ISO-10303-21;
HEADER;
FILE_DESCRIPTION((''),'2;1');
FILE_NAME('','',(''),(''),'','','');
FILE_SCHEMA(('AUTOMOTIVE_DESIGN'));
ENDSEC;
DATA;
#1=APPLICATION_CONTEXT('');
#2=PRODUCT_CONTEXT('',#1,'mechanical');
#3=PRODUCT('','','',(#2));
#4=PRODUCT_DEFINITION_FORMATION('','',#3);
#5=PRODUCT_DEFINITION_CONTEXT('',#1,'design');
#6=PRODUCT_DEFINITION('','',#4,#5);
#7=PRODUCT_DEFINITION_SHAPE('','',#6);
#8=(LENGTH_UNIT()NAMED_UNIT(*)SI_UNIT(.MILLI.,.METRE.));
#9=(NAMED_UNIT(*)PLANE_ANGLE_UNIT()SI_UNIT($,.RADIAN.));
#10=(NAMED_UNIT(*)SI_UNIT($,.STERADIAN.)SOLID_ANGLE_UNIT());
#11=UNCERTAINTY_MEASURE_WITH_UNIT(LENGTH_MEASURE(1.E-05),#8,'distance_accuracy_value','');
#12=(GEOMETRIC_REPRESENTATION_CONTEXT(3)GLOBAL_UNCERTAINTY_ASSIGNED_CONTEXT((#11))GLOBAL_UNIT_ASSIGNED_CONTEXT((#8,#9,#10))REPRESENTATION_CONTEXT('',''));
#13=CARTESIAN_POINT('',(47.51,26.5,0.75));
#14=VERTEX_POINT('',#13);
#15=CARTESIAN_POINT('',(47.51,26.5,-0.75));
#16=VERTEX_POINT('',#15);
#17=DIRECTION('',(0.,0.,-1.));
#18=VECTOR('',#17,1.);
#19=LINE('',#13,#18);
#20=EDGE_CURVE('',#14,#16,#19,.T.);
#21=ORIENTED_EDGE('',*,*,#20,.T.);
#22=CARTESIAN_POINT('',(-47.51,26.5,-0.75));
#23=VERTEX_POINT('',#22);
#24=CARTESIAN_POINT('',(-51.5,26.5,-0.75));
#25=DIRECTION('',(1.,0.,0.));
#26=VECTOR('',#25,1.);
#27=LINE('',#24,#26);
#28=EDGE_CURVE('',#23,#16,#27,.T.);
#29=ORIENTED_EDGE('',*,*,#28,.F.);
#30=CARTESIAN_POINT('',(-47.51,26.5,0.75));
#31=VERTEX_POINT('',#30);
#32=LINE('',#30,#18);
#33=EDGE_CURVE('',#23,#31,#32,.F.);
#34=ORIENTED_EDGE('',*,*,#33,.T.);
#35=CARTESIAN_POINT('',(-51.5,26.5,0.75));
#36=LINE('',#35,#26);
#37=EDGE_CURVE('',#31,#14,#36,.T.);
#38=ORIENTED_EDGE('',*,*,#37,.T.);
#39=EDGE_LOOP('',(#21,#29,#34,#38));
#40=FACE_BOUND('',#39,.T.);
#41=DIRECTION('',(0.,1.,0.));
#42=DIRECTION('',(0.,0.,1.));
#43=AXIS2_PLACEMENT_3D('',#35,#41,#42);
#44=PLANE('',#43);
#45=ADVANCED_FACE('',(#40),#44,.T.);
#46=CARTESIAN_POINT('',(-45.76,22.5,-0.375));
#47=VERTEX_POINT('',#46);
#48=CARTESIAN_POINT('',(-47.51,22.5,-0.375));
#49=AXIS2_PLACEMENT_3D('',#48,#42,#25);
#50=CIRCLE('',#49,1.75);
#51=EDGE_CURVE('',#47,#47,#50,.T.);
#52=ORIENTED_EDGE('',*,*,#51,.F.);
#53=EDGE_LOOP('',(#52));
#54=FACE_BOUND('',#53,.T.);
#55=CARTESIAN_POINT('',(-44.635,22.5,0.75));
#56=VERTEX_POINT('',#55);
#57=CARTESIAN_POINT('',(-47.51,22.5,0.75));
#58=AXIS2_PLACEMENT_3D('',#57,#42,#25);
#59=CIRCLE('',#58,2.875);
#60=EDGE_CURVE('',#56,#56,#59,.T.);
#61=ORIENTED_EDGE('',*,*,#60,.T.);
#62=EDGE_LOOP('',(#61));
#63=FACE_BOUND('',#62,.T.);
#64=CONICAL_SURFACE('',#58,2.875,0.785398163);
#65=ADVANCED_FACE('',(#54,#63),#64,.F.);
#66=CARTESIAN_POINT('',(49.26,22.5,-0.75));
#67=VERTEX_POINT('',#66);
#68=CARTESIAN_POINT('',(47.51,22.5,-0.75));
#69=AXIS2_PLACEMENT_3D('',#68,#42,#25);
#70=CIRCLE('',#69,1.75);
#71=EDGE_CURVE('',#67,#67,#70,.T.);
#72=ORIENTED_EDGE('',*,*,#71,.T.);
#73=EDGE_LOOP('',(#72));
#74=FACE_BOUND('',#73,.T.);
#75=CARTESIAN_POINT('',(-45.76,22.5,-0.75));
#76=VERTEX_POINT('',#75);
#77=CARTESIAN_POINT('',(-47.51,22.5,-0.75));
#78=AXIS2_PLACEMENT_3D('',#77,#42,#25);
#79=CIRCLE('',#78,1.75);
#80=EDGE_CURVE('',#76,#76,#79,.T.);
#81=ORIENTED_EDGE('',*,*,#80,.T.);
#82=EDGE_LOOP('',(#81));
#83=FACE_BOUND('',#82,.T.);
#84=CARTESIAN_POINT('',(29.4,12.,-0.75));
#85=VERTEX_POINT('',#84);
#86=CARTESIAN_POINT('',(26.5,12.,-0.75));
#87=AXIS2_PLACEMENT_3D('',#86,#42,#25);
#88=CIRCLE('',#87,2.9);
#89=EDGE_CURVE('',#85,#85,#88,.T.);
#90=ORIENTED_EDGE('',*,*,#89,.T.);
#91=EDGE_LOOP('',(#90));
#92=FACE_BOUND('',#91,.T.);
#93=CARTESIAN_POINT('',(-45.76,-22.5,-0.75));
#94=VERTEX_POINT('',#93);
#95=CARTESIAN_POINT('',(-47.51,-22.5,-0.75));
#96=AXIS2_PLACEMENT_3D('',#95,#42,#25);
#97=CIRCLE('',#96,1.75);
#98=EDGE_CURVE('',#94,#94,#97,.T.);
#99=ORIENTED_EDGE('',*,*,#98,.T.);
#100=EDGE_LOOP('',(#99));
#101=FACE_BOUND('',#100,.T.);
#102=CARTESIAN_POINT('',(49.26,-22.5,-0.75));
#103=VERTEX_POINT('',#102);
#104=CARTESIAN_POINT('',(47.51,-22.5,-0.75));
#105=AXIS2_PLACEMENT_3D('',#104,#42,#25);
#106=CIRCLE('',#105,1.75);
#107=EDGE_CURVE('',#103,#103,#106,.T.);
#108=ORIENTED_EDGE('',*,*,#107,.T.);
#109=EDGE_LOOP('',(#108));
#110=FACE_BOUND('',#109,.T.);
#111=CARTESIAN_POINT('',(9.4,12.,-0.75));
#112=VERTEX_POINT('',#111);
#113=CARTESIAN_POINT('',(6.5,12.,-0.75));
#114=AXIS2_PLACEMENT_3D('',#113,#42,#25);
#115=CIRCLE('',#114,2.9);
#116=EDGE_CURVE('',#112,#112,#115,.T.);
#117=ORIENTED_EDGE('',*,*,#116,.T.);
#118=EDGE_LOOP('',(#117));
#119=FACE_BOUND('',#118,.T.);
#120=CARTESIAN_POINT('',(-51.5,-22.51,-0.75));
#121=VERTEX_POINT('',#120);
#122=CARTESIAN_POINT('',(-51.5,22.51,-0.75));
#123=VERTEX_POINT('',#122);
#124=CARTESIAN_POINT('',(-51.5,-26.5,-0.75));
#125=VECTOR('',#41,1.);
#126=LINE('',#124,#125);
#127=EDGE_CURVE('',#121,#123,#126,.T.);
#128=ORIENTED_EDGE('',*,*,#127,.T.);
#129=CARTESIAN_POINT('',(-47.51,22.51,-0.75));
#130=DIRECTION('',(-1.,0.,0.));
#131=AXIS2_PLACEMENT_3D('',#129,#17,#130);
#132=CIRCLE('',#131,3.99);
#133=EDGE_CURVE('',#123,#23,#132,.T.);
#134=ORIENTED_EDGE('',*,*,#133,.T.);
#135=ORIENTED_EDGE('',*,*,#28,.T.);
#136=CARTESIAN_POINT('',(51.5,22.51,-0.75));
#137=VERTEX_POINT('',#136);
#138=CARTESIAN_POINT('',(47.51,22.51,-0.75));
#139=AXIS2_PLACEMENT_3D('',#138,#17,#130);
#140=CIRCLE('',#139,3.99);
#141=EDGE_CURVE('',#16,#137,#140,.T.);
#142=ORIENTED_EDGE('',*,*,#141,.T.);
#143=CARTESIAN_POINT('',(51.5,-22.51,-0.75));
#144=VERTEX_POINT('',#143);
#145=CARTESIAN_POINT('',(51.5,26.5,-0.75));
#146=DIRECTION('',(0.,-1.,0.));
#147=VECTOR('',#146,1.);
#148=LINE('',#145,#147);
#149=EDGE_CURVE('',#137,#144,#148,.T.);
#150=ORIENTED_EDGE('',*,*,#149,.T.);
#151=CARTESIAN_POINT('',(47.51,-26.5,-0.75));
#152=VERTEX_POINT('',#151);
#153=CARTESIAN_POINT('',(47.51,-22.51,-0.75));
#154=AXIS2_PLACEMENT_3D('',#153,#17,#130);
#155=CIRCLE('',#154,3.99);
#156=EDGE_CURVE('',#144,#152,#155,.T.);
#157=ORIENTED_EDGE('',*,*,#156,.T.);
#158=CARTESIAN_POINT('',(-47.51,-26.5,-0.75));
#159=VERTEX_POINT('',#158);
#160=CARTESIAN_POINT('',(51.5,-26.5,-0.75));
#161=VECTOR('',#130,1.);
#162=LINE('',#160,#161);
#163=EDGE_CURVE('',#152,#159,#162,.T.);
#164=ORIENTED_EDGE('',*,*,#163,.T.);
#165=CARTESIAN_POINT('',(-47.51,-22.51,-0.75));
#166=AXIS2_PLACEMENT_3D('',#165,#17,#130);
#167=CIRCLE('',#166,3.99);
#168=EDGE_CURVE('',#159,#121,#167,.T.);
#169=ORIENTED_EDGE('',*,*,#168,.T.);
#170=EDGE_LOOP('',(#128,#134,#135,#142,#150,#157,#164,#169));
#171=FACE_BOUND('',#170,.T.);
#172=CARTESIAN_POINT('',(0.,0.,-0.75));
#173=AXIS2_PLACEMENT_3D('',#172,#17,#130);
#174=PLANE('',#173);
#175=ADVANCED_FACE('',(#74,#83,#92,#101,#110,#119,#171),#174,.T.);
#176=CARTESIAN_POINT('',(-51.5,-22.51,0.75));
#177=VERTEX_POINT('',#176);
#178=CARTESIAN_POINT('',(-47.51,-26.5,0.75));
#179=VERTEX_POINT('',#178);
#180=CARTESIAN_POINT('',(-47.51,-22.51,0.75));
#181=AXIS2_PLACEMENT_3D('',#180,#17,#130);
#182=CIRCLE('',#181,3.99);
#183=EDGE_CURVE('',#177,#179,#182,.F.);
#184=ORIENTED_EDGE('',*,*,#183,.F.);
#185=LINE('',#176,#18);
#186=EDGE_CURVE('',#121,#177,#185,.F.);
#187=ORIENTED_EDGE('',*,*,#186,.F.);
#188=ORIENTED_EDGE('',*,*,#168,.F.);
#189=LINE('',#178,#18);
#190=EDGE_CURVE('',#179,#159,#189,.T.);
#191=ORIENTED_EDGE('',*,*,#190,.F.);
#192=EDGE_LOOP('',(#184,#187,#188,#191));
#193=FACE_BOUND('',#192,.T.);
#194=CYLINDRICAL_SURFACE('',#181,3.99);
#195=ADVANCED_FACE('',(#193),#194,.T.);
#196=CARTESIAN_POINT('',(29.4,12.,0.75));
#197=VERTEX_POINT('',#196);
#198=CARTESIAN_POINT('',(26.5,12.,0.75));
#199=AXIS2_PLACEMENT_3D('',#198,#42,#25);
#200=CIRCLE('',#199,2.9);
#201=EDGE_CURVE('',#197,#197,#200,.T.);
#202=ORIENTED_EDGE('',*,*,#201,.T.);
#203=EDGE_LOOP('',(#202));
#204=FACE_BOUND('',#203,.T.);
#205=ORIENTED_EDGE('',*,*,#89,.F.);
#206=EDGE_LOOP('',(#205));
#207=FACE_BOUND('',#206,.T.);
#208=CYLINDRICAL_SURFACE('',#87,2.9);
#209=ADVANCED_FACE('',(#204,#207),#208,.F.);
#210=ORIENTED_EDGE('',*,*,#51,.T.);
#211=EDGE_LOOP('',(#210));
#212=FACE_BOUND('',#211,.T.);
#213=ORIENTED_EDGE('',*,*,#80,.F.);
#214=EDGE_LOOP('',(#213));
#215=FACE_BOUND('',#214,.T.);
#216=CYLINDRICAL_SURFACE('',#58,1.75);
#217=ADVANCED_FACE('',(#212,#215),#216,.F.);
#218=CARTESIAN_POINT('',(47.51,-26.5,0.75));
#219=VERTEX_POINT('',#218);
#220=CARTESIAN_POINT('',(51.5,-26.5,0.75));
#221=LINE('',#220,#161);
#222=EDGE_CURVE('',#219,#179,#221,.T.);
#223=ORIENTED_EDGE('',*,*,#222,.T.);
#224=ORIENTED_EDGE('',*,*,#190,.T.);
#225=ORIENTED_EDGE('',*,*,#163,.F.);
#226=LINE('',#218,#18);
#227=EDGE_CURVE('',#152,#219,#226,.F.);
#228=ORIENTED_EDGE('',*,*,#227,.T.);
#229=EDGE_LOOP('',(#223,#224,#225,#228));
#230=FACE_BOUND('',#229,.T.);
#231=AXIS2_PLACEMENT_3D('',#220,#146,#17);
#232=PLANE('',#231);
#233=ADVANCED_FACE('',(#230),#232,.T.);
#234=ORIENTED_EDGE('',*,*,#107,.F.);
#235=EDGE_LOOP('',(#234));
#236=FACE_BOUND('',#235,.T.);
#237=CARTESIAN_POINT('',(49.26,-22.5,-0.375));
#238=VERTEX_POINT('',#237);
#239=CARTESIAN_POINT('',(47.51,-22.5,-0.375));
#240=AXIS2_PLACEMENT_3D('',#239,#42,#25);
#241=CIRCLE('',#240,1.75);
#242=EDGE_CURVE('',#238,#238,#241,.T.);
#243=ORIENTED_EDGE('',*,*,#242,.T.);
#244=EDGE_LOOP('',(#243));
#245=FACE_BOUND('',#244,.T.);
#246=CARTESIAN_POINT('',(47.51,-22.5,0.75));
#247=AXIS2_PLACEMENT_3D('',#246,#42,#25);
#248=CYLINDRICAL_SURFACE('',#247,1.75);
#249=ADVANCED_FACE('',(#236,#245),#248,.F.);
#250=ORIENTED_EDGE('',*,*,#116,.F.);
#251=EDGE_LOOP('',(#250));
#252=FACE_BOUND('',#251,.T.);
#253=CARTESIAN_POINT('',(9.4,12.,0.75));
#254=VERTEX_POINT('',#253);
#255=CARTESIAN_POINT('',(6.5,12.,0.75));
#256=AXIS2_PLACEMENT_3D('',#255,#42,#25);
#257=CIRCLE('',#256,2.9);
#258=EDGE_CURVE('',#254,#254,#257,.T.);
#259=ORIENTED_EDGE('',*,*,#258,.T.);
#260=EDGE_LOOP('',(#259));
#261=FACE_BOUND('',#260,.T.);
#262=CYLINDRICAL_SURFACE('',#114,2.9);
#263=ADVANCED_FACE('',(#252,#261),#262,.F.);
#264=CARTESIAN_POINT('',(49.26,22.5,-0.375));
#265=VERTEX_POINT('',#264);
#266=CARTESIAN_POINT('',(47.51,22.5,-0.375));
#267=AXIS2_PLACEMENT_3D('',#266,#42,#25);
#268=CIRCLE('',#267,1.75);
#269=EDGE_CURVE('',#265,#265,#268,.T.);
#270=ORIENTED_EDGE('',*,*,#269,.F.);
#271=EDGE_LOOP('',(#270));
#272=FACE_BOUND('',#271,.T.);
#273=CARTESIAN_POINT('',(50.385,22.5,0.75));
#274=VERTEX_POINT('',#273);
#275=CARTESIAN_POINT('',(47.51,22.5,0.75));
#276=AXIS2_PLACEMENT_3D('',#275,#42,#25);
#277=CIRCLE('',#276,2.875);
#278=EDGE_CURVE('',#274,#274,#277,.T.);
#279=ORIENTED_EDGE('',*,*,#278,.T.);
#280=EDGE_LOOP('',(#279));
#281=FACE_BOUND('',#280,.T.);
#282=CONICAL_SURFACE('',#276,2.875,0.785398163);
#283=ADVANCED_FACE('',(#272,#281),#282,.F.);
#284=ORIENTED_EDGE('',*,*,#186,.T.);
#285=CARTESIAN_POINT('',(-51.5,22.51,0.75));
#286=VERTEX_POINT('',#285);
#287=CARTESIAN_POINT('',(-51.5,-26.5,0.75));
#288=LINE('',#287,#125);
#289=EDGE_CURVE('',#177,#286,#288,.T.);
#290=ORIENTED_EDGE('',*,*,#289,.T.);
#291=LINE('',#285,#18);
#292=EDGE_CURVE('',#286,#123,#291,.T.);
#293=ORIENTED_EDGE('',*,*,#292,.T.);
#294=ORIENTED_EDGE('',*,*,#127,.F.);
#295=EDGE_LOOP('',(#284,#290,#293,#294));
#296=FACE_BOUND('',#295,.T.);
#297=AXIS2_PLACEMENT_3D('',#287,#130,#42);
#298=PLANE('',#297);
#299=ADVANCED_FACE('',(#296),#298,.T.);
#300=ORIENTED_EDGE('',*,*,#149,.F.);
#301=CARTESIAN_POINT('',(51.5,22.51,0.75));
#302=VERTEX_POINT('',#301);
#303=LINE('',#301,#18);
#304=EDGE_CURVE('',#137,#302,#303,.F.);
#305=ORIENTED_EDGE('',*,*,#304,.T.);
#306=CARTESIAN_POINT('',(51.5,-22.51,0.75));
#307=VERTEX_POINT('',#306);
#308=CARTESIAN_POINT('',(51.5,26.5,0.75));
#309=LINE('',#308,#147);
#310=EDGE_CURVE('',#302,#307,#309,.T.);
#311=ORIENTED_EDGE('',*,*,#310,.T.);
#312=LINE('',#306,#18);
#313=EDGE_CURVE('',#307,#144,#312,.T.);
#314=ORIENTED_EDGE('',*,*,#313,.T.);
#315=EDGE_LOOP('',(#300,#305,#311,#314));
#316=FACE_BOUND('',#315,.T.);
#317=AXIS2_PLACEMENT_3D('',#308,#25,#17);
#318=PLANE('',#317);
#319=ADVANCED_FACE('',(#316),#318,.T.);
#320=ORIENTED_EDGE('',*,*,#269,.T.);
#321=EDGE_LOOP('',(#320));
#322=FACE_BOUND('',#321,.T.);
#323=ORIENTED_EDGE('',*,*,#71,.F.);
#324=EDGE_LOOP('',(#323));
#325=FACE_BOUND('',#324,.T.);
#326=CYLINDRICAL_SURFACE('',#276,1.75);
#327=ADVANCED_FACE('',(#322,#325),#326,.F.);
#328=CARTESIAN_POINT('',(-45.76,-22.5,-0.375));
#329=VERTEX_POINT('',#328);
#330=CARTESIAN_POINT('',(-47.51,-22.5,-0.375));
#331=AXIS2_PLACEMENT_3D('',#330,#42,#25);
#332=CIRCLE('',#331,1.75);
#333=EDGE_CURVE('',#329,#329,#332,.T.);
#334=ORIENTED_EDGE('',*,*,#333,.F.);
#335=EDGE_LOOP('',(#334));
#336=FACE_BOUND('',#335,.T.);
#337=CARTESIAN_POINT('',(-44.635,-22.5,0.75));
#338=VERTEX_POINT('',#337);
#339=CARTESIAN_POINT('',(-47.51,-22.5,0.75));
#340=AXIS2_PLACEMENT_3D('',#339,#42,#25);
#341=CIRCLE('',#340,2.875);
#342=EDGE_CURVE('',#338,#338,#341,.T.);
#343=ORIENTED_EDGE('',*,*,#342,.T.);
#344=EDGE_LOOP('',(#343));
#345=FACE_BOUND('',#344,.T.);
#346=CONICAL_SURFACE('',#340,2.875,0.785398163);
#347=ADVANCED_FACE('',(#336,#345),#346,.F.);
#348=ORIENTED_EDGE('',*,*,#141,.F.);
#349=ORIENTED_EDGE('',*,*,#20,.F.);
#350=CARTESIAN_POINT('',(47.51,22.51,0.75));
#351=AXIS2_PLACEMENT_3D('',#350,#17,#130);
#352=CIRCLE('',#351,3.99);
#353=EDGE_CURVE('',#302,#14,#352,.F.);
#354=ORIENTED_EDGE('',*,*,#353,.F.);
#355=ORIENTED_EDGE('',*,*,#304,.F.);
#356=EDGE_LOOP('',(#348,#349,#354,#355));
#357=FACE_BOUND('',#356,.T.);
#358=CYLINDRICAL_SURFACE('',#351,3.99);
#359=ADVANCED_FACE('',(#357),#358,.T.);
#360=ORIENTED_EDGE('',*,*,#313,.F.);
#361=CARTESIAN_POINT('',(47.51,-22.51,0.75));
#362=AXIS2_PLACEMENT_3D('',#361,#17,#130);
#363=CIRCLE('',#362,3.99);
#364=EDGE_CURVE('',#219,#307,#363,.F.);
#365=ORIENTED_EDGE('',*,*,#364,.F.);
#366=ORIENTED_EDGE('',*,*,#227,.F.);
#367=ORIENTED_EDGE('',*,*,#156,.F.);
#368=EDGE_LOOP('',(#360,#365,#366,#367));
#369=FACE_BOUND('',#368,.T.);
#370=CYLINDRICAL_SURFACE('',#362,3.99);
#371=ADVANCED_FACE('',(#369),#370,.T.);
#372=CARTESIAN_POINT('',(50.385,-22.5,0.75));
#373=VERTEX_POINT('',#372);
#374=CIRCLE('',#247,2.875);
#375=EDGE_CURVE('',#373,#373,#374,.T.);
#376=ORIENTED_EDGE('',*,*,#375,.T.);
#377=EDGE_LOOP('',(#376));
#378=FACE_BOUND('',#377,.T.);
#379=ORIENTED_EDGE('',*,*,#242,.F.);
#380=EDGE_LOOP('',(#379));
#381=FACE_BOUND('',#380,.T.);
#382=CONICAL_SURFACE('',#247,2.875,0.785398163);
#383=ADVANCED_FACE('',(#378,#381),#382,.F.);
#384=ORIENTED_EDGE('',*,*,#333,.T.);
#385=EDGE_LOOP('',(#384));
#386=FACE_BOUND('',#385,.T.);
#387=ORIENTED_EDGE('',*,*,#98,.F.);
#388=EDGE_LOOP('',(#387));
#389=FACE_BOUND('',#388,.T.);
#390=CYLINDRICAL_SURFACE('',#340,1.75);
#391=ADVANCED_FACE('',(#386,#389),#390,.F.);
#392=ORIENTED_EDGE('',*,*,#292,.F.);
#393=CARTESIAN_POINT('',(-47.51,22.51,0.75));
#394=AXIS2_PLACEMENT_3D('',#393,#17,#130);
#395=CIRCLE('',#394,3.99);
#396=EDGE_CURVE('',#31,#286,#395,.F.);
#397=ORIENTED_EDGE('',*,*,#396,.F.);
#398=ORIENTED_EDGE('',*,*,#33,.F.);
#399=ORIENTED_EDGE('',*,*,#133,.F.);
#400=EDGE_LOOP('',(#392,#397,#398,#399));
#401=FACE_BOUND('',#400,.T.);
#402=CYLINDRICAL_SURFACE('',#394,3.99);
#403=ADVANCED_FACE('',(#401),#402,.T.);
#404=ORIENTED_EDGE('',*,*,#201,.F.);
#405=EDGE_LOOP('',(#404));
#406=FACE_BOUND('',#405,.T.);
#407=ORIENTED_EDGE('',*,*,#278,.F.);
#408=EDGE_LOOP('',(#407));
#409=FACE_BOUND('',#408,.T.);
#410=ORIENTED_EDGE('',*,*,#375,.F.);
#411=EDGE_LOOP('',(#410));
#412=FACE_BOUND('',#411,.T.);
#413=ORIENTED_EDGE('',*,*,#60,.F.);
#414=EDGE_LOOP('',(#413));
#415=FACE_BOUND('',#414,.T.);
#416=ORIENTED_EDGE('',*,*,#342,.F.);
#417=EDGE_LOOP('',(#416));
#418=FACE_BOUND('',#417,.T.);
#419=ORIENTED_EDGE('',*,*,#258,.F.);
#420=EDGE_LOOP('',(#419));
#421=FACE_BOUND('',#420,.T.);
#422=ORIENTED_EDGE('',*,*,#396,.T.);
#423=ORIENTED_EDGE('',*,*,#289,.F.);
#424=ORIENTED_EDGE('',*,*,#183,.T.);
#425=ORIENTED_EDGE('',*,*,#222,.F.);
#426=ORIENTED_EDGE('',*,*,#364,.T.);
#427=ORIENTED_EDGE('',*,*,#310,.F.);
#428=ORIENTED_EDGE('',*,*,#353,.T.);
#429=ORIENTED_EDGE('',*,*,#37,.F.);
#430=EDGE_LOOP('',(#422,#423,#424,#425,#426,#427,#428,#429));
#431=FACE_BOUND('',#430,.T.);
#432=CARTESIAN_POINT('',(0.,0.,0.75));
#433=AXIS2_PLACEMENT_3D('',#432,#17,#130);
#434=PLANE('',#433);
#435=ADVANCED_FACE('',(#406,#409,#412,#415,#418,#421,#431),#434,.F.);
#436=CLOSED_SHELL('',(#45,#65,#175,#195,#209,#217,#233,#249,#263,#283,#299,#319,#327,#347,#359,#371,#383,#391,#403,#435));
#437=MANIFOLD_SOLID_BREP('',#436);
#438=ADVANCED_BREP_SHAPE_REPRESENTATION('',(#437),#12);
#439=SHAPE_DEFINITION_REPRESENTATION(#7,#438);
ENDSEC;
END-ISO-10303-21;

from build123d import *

# Parameters (mm, degrees)
ESQUISSE1_W                                 = 103
ESQUISSE1_H                                 = 53
BOSS_EXTRU_1_DEPTH                          = 1.5
FRAISAGE_POUR_VIS_T_TE_FRAIS_E_M31_AT_COUNT = 2
FRAISAGE_POUR_VIS_T_TE_FRAIS_E_M31_AT_PITCH = 95.02
FRAISAGE_POUR_VIS_T_TE_FRAIS_E_M31_2_COUNT  = 2
FRAISAGE_POUR_VIS_T_TE_FRAIS_E_M31_2_PITCH  = 105.137055314
FRAISAGE_POUR_VIS_T_TE_FRAIS_E_M31_3_COUNT  = 2
FRAISAGE_POUR_VIS_T_TE_FRAIS_E_M31_3_PITCH  = 45
CONG_1_R                                    = 3.99
ESQUISSE4_R                                 = 2.9
ENL_V_MAT_EXTRU_1_DEPTH                     = 2.5


with BuildPart() as part:
    # Esquisse1 → Boss.-Extru.1 (new body)
    with BuildSketch(Plane(origin=(0, 0, -0.75), x_dir=(-1, 0, 0), z_dir=(0, 0, -1))):
        Rectangle(ESQUISSE1_W, ESQUISSE1_H)
    extrude(amount=-BOSS_EXTRU_1_DEPTH)

    # Esquisse2 → Fraisage pour vis à tête fraisée M31 (revolve, cut)
    with BuildSketch(Plane(origin=(-47.51, 22.5, 0.75), x_dir=(0, -1, 0), z_dir=(1, 0, 0))):
        Polygon((0, 0), (0, 1.5), (1.75, 1.5), (1.75, 1.125), (2.875, 0), align=None)
    fraisage_pour_vis_t_te_frais_e_m31 = revolve(axis=Axis((-47.51, 22.5, 7.1), (0, 0, -1)), mode=Mode.SUBTRACT)

    # Fraisage pour vis à tête fraisée M31 at: Fraisage pour vis à tête fraisée M31 ×2
    with Locations(*[(i * FRAISAGE_POUR_VIS_T_TE_FRAIS_E_M31_AT_PITCH, 0, 0) for i in range(1, FRAISAGE_POUR_VIS_T_TE_FRAIS_E_M31_AT_COUNT)]):
        add(fraisage_pour_vis_t_te_frais_e_m31, mode=Mode.SUBTRACT)

    # Fraisage pour vis _ t_te frais_e M31 2: Fraisage pour vis à tête fraisée M31 ×2
    with Locations(*[Vector(0.903772697, -0.428012748, 0) * (i * FRAISAGE_POUR_VIS_T_TE_FRAIS_E_M31_2_PITCH) for i in range(1, FRAISAGE_POUR_VIS_T_TE_FRAIS_E_M31_2_COUNT)]):
        add(fraisage_pour_vis_t_te_frais_e_m31, mode=Mode.SUBTRACT)

    # Fraisage pour vis _ t_te frais_e M31 3: Fraisage pour vis à tête fraisée M31 ×2
    with Locations(*[(0, -i * FRAISAGE_POUR_VIS_T_TE_FRAIS_E_M31_3_PITCH, 0) for i in range(1, FRAISAGE_POUR_VIS_T_TE_FRAIS_E_M31_3_COUNT)]):
        add(fraisage_pour_vis_t_te_frais_e_m31, mode=Mode.SUBTRACT)

    # Congé1
    cong_1_edges = [part.edges().sort_by_distance(p)[0] for p in [
        (51.5, 26.5, 0),
        (-51.5, 26.5, 0),
        (-51.5, -26.5, 0),
        (51.5, -26.5, 0),
    ]]
    fillet(cong_1_edges, radius=CONG_1_R)

    # Esquisse4 → Enlèv. mat.-Extru.1 (cut, through all)
    with BuildSketch(Plane.XY.offset(0.75)):
        with Locations((26.5, 12)):
            Circle(ESQUISSE4_R)
        with Locations((6.5, 12)):
            Circle(ESQUISSE4_R)
    extrude(amount=-ENL_V_MAT_EXTRU_1_DEPTH, mode=Mode.SUBTRACT)


solid = part.part
